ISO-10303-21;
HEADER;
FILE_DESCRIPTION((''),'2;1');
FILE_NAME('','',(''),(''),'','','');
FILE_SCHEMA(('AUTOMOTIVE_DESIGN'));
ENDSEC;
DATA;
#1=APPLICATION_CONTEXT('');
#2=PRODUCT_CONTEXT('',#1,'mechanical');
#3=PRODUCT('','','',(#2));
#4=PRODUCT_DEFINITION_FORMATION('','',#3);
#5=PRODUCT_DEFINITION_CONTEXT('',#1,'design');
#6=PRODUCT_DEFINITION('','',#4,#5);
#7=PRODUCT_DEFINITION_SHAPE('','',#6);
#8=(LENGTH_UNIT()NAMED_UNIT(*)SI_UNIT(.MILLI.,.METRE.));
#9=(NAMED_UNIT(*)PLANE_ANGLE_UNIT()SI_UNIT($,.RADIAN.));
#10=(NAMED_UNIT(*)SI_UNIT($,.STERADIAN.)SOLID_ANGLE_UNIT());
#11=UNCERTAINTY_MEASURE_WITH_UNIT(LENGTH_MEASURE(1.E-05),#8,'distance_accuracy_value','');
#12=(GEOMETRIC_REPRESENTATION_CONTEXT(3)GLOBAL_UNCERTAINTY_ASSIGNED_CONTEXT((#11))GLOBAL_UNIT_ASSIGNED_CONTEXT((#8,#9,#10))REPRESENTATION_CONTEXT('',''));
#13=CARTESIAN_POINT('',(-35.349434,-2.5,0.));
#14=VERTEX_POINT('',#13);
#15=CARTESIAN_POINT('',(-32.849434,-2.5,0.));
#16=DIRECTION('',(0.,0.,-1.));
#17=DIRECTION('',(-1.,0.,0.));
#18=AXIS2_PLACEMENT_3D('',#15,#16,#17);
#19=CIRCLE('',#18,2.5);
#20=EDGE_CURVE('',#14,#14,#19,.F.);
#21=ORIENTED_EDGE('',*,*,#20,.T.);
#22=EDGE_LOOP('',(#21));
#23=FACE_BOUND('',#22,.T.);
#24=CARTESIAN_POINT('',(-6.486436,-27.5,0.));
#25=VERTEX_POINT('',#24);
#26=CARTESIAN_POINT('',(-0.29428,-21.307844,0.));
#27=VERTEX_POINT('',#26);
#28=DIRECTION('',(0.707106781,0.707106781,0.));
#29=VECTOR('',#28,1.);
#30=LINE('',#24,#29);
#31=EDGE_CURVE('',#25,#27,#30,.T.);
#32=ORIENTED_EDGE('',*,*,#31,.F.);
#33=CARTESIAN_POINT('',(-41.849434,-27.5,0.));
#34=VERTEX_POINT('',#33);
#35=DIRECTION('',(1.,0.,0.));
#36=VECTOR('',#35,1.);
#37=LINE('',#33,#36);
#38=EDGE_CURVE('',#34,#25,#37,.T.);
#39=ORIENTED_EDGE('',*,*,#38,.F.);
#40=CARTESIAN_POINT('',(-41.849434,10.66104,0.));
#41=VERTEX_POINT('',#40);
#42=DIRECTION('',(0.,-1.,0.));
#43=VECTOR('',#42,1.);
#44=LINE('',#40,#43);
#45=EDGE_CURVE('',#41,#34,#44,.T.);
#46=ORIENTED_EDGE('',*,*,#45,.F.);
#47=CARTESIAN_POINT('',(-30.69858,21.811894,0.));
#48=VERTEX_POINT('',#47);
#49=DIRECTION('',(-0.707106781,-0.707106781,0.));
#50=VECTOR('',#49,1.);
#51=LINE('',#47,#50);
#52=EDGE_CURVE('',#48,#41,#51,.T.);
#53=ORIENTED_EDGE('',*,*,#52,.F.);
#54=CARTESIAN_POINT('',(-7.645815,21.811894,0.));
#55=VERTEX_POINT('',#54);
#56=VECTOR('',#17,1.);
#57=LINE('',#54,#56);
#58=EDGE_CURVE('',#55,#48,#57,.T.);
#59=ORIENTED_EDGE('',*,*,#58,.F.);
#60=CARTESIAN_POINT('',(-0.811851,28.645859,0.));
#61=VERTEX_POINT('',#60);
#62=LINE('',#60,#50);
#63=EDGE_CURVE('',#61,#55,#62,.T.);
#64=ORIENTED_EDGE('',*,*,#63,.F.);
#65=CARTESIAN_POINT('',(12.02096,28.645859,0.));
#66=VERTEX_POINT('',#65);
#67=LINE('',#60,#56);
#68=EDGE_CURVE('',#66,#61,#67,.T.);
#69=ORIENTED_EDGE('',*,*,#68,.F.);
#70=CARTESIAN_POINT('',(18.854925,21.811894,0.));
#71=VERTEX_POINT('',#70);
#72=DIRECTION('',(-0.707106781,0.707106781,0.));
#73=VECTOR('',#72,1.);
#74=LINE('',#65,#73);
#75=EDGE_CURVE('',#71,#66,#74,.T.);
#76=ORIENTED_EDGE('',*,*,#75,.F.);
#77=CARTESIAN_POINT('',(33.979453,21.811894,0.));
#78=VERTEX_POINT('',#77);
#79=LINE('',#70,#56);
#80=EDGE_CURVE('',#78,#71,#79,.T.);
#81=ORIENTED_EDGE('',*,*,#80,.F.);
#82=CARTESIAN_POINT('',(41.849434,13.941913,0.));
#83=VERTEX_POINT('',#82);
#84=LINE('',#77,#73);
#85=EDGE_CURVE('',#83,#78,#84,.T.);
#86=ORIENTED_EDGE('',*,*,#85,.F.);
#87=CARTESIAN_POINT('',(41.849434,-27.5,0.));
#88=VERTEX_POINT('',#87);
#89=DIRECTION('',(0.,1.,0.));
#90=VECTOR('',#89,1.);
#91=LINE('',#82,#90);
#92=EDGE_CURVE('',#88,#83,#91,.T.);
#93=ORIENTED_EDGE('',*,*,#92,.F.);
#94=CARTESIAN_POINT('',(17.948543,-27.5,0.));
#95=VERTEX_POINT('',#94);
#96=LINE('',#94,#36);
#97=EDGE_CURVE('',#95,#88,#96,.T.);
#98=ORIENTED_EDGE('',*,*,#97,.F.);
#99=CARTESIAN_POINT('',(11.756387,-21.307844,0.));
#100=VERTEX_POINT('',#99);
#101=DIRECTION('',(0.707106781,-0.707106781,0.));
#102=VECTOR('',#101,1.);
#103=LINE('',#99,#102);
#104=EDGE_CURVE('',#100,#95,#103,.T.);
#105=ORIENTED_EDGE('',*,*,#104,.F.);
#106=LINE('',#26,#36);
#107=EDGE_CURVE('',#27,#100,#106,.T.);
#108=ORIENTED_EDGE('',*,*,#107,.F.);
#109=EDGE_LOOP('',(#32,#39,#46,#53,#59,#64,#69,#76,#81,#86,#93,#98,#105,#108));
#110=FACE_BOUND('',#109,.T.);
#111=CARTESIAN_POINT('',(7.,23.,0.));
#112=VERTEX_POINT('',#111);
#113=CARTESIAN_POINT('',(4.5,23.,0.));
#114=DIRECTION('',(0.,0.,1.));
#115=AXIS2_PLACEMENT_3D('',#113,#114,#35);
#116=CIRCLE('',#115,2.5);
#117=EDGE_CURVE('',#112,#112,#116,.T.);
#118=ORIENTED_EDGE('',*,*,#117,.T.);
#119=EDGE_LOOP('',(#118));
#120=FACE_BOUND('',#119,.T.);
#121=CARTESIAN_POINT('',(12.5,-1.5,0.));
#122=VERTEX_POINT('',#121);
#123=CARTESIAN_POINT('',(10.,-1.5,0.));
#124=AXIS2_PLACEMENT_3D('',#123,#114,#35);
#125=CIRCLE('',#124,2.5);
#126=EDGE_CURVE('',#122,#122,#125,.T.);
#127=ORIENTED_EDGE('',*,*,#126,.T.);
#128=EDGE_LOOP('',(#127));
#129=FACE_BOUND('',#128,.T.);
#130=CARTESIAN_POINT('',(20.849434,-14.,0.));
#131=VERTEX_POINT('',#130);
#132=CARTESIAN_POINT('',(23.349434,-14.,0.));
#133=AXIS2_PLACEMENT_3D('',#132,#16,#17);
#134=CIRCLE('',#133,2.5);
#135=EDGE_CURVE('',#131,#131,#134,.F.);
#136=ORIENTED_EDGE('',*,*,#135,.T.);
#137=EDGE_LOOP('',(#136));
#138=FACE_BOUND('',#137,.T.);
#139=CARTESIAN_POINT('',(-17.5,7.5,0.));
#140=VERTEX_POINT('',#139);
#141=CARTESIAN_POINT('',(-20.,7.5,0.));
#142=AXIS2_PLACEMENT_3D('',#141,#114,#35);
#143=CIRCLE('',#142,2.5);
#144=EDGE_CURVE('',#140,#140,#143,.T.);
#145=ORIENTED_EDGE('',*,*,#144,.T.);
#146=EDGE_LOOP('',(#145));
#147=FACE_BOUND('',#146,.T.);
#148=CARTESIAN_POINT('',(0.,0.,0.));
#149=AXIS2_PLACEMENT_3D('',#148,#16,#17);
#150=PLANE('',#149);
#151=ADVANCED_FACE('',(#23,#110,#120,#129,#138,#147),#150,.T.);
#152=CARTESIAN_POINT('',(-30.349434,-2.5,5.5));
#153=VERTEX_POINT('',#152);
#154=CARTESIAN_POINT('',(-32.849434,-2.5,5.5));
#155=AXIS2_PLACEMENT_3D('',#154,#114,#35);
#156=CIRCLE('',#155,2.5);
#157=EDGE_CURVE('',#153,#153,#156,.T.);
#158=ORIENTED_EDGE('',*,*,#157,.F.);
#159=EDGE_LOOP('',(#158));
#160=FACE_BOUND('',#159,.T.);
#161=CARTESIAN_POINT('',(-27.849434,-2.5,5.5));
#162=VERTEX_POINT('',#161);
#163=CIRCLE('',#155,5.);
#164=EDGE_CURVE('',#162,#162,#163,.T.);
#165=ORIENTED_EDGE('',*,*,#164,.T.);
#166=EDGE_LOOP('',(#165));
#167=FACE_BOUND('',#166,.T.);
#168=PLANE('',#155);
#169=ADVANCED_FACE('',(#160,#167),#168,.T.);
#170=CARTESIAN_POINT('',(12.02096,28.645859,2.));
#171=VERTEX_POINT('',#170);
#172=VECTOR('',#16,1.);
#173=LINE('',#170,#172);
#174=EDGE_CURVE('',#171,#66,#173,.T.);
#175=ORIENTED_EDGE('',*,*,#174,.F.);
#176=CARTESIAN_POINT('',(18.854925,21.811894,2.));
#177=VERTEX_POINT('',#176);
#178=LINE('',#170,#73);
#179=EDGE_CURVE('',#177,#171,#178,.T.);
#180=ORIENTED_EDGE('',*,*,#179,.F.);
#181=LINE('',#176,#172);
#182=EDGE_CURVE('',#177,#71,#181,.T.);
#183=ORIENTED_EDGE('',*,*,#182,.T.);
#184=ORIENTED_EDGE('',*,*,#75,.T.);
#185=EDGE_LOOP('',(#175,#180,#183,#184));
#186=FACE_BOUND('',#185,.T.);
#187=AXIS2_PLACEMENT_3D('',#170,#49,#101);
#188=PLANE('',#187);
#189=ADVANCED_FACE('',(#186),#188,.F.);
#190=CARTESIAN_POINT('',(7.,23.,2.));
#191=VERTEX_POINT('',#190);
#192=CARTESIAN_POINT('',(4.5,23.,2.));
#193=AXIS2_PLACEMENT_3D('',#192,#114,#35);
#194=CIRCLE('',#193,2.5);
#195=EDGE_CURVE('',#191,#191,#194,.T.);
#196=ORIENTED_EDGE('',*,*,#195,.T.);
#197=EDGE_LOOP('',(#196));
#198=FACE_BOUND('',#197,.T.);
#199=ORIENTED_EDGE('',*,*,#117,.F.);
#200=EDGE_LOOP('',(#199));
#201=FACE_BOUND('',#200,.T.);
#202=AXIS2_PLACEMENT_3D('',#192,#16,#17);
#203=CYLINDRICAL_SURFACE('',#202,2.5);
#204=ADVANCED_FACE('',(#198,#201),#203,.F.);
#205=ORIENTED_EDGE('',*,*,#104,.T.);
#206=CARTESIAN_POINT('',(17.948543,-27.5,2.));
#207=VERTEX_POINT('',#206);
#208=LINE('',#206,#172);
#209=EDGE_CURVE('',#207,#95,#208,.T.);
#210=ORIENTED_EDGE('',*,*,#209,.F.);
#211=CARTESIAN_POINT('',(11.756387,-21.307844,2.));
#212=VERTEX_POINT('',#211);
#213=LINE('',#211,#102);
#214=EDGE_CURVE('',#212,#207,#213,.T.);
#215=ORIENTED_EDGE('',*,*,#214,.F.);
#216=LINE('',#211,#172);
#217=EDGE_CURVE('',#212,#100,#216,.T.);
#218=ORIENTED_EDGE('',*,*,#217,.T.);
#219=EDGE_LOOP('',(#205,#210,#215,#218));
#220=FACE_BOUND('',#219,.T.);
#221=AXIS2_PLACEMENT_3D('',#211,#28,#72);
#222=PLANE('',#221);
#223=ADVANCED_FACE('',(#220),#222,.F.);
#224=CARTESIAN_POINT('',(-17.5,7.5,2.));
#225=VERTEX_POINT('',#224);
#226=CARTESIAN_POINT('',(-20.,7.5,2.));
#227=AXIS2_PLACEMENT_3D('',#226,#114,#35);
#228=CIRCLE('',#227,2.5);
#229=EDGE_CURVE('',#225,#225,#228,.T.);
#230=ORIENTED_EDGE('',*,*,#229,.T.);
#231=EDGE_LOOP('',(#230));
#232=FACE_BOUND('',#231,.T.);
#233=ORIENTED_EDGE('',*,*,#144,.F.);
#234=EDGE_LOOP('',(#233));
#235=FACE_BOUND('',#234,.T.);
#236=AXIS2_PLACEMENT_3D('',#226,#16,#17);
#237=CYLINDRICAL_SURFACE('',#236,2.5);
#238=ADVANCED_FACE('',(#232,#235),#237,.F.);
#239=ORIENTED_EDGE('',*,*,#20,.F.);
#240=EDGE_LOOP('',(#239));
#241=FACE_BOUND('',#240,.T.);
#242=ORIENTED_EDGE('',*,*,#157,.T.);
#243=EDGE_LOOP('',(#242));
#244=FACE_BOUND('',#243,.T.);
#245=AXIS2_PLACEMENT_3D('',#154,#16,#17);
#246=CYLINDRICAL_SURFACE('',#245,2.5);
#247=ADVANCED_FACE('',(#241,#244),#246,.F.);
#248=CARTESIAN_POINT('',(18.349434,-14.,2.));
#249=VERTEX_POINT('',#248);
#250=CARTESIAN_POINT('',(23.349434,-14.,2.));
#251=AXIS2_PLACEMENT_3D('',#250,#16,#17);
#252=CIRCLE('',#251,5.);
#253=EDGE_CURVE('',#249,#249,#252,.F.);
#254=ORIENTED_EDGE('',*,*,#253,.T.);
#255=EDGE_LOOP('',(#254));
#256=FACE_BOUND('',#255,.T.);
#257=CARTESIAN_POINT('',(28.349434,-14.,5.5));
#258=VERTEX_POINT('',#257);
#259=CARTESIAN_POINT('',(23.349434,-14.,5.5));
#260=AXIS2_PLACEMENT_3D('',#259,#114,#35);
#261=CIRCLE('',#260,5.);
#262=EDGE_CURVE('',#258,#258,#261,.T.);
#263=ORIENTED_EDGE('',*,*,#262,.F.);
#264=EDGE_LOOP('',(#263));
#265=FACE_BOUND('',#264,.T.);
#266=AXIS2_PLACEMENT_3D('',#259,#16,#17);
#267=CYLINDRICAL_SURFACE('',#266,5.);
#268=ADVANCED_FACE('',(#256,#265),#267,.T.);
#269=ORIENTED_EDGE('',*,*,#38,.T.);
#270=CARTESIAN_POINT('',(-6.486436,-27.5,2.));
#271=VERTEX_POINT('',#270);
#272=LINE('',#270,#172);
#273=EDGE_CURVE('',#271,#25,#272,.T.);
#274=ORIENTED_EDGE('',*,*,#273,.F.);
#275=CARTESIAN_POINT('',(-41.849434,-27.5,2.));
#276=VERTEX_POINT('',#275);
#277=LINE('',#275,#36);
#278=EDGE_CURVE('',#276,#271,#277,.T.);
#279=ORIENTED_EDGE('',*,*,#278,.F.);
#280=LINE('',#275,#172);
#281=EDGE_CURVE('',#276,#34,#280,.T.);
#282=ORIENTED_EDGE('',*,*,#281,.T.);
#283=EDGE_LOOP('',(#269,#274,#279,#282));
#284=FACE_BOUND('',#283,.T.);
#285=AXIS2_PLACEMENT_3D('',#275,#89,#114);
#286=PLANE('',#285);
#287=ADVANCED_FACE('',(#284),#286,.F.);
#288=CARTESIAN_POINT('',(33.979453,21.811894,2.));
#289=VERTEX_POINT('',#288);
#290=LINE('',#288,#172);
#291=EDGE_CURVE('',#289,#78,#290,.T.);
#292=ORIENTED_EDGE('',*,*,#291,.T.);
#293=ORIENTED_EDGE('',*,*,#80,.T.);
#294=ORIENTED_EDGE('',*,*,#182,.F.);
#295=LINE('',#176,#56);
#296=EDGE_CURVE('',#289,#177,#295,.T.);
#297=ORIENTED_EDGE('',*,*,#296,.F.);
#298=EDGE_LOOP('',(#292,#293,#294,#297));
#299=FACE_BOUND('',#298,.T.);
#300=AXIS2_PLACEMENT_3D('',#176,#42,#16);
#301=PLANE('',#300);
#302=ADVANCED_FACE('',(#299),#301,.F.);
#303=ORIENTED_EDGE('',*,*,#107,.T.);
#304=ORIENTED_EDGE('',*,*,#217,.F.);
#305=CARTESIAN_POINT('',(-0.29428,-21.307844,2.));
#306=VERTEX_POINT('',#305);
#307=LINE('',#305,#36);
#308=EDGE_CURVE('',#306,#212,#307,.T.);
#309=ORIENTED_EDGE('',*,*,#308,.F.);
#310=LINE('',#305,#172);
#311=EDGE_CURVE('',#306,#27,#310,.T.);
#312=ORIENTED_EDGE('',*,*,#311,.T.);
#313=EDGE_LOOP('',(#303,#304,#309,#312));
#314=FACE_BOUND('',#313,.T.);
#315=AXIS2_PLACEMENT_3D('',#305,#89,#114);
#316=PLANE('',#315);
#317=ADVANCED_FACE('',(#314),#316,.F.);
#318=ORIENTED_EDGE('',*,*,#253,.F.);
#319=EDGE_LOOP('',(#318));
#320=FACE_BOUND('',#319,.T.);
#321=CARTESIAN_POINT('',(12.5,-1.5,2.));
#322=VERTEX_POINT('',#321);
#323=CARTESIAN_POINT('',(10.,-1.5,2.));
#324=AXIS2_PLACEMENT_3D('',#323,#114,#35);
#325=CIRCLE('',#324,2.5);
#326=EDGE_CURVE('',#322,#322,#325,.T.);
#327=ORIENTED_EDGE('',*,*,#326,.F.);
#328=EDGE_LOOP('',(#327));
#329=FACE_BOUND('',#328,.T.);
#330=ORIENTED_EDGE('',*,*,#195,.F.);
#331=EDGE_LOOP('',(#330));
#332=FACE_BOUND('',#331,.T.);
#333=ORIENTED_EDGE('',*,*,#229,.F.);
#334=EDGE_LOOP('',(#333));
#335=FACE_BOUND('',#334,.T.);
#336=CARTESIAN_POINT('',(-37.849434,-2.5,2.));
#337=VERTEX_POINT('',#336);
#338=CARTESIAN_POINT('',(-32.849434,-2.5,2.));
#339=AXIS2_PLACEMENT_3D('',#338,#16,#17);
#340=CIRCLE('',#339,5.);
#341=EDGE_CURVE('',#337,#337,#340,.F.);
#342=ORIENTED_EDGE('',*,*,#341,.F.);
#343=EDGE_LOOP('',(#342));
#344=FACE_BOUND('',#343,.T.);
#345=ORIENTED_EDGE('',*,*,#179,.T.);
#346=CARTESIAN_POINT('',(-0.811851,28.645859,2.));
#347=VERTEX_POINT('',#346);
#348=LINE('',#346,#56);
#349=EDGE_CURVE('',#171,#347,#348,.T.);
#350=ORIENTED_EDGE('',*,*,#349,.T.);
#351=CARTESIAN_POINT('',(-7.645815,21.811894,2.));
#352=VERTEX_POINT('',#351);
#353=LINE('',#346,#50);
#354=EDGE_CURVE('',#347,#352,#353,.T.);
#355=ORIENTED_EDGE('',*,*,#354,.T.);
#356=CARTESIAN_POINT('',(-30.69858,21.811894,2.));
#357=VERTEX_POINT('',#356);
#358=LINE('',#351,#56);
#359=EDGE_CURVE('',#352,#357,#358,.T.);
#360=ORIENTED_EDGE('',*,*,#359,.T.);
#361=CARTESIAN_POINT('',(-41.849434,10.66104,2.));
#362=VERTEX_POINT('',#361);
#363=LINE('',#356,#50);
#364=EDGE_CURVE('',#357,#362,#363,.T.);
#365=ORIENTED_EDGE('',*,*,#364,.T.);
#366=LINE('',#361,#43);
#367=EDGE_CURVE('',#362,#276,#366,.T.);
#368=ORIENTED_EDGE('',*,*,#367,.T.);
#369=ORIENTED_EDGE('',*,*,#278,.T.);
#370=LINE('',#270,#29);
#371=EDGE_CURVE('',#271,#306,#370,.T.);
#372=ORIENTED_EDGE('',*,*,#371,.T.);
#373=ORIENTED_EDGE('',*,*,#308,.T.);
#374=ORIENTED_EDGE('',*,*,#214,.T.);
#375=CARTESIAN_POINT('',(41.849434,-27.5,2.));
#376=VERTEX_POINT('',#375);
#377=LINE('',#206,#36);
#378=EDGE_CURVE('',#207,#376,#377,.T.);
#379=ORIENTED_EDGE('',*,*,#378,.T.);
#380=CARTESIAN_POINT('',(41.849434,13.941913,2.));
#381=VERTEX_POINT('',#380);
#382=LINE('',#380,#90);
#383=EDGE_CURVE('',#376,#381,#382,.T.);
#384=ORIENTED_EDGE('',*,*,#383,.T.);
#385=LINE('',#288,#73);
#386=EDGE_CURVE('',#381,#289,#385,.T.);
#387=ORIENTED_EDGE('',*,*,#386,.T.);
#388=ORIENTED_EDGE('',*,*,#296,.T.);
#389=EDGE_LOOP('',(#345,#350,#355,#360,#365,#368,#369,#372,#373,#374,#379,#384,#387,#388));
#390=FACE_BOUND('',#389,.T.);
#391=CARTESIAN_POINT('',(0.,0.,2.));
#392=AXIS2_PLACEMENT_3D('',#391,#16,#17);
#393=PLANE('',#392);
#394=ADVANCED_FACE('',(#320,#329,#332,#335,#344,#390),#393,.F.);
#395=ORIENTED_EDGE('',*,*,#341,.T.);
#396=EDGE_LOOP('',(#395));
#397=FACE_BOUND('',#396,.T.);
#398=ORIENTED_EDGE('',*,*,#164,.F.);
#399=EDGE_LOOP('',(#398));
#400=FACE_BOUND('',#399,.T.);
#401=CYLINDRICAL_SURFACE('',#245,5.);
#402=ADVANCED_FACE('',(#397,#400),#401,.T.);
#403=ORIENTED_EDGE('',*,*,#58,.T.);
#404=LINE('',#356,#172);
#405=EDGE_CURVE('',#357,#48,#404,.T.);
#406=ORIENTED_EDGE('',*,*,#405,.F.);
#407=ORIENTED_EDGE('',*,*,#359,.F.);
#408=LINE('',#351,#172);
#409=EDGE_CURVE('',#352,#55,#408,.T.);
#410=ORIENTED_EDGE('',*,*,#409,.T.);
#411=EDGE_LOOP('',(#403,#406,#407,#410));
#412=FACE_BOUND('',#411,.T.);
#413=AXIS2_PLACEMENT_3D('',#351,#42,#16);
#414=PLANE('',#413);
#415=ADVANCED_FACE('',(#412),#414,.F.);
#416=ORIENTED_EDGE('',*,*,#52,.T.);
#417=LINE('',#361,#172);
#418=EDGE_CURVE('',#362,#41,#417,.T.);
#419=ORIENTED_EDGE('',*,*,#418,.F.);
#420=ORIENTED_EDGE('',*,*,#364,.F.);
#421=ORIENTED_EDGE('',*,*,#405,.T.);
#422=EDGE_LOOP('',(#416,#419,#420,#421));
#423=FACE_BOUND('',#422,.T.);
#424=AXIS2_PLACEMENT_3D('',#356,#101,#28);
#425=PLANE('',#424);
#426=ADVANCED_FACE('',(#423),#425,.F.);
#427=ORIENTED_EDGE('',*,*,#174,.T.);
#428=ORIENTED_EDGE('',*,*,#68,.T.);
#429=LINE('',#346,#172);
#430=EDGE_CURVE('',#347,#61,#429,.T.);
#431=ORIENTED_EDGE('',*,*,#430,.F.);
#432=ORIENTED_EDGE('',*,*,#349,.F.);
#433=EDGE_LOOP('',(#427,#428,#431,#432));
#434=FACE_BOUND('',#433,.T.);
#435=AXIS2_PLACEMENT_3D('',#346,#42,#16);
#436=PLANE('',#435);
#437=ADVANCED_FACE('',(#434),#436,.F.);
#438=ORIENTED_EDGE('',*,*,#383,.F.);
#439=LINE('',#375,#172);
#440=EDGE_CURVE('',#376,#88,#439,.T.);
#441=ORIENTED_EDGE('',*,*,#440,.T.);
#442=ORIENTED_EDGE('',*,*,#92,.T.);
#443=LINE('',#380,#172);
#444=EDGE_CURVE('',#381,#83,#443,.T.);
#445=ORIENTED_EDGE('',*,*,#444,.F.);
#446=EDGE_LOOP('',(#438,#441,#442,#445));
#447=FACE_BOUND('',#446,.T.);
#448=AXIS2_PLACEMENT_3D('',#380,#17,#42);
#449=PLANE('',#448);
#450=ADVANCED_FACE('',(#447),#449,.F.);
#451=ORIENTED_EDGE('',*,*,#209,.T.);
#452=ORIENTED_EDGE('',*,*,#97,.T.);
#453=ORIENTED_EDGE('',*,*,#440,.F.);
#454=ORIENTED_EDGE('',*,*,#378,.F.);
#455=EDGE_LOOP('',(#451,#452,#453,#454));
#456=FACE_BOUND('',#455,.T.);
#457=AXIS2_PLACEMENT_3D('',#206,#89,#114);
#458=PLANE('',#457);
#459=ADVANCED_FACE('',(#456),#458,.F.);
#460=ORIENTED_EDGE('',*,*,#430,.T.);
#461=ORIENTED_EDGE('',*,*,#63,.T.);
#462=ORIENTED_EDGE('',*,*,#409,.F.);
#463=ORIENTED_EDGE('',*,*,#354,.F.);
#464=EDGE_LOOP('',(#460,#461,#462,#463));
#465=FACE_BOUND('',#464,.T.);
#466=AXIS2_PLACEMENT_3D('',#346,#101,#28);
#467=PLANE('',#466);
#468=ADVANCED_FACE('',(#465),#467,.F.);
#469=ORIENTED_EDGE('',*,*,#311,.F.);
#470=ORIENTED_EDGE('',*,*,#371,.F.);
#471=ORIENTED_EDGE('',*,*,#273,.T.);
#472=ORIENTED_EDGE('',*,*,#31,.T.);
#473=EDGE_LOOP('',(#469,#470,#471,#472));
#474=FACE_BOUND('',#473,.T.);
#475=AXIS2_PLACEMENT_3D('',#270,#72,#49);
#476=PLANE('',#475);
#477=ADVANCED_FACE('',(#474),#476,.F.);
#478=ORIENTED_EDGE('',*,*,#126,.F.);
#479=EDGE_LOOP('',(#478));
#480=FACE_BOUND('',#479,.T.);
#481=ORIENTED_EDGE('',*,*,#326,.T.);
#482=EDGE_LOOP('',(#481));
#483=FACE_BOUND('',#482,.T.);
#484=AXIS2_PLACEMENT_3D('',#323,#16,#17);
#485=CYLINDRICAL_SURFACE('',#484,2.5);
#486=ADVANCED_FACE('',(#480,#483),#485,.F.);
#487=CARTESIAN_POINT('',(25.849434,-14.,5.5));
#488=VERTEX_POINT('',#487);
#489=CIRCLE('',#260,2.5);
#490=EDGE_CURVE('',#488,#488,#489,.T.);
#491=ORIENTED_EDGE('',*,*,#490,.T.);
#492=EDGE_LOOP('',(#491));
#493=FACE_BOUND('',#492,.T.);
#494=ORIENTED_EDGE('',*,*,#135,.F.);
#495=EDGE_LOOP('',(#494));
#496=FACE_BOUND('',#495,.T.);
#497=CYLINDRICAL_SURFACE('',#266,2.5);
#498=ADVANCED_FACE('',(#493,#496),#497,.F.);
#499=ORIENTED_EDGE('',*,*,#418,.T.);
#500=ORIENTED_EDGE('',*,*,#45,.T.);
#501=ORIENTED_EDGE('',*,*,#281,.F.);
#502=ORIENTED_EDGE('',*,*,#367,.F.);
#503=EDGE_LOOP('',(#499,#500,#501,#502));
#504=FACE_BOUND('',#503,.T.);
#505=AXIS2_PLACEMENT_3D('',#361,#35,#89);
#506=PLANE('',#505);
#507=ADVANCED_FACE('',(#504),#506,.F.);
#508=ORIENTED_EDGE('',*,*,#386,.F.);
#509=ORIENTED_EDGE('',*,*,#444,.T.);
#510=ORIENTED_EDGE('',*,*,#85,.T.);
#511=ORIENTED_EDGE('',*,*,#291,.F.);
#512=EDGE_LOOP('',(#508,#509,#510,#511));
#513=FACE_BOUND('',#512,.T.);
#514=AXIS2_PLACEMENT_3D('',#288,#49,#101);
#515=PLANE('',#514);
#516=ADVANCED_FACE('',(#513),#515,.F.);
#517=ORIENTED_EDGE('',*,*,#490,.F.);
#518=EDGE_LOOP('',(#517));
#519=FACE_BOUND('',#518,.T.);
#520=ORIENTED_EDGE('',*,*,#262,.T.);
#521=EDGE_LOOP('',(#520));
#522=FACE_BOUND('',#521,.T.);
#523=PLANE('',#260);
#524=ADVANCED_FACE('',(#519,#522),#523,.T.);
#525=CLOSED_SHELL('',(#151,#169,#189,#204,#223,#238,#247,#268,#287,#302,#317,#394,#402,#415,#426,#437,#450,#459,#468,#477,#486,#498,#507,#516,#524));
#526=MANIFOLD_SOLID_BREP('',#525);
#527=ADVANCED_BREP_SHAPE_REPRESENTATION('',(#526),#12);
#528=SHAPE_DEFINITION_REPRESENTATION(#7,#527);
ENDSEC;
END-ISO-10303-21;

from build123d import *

# Parameters (mm, degrees)
SKETCH_1_R          = 2.5
EXTRUDE_1_DEPTH     = 2
SKETCH_2_R          = 5
SKETCH_2_R_2        = 2.5
EXTRUDE_3_DEPTH     = 3.5
CUT_EXTRUDE_1_REACH = 52.835
SKETCH_2_2_R        = 2.5


with BuildPart() as part:
    # 스케치1 → 보스-돌출1 (new body)
    with BuildSketch(Plane.XY):
        Polygon((-6.486435689, -27.5), (-0.294279728, -21.307844039), (11.756387017, -21.307844039), (17.948542978, -27.5), (41.84943397, -27.5), (41.84943397, 13.941912539), (33.979452522, 21.811893988), (18.854924629, 21.811893988), (12.020959992, 28.645858624), (-0.811850652, 28.645858624), (-7.645815288, 21.811893988), (-30.698580055, 21.811893988), (-41.84943397, 10.661040072), (-41.84943397, -27.5), align=None)
        with Locations((-20, 7.5)):
            Circle(SKETCH_1_R, mode=Mode.SUBTRACT)
        with Locations((4.5, 23)):
            Circle(SKETCH_1_R, mode=Mode.SUBTRACT)
        with Locations((10, -1.5)):
            Circle(SKETCH_1_R, mode=Mode.SUBTRACT)
    extrude(amount=EXTRUDE_1_DEPTH)

    # 스케치2 → 보스-돌출3 (add)
    # profile 1 of 2: a face of its own
    with BuildSketch(Plane.XY.offset(2)):
        with Locations((-32.84943397, -2.5)):
            Circle(SKETCH_2_R)
        with Locations((-32.84943397, -2.5)):
            Circle(SKETCH_2_R_2, mode=Mode.SUBTRACT)
    # profile 2 of 2: a face of its own
    with BuildSketch(Plane.XY.offset(2)):
        with Locations((23.34943397, -14)):
            Circle(SKETCH_2_R)
        with Locations((23.34943397, -14)):
            Circle(SKETCH_2_R_2, mode=Mode.SUBTRACT)
    extrude(amount=EXTRUDE_3_DEPTH)

    # 스케치2<2> → 컷-돌출1 (cut, up to next)
    with BuildSketch(Plane.XY.offset(2), mode=Mode.PRIVATE) as cut_extrude_1_sk1:
        with Locations((-32.84943397, -2.5)):
            Circle(SKETCH_2_2_R)
    cut_extrude_1_tool1 = extrude(cut_extrude_1_sk1.sketch, amount=-CUT_EXTRUDE_1_REACH, mode=Mode.PRIVATE) & part.part
    # 스케치2<2> → 컷-돌출1 (cut, up to next)
    with BuildSketch(Plane.XY.offset(2), mode=Mode.PRIVATE) as cut_extrude_1_sk2:
        with Locations((23.34943397, -14)):
            Circle(SKETCH_2_2_R)
    cut_extrude_1_tool2 = extrude(cut_extrude_1_sk2.sketch, amount=-CUT_EXTRUDE_1_REACH, mode=Mode.PRIVATE) & part.part
    add(cut_extrude_1_tool1.solids().sort_by_distance((-32.849434, -2.5, 2))[0], mode=Mode.SUBTRACT)
    add(cut_extrude_1_tool2.solids().sort_by_distance((23.349434, -14, 2))[0], mode=Mode.SUBTRACT)


solid = part.part
